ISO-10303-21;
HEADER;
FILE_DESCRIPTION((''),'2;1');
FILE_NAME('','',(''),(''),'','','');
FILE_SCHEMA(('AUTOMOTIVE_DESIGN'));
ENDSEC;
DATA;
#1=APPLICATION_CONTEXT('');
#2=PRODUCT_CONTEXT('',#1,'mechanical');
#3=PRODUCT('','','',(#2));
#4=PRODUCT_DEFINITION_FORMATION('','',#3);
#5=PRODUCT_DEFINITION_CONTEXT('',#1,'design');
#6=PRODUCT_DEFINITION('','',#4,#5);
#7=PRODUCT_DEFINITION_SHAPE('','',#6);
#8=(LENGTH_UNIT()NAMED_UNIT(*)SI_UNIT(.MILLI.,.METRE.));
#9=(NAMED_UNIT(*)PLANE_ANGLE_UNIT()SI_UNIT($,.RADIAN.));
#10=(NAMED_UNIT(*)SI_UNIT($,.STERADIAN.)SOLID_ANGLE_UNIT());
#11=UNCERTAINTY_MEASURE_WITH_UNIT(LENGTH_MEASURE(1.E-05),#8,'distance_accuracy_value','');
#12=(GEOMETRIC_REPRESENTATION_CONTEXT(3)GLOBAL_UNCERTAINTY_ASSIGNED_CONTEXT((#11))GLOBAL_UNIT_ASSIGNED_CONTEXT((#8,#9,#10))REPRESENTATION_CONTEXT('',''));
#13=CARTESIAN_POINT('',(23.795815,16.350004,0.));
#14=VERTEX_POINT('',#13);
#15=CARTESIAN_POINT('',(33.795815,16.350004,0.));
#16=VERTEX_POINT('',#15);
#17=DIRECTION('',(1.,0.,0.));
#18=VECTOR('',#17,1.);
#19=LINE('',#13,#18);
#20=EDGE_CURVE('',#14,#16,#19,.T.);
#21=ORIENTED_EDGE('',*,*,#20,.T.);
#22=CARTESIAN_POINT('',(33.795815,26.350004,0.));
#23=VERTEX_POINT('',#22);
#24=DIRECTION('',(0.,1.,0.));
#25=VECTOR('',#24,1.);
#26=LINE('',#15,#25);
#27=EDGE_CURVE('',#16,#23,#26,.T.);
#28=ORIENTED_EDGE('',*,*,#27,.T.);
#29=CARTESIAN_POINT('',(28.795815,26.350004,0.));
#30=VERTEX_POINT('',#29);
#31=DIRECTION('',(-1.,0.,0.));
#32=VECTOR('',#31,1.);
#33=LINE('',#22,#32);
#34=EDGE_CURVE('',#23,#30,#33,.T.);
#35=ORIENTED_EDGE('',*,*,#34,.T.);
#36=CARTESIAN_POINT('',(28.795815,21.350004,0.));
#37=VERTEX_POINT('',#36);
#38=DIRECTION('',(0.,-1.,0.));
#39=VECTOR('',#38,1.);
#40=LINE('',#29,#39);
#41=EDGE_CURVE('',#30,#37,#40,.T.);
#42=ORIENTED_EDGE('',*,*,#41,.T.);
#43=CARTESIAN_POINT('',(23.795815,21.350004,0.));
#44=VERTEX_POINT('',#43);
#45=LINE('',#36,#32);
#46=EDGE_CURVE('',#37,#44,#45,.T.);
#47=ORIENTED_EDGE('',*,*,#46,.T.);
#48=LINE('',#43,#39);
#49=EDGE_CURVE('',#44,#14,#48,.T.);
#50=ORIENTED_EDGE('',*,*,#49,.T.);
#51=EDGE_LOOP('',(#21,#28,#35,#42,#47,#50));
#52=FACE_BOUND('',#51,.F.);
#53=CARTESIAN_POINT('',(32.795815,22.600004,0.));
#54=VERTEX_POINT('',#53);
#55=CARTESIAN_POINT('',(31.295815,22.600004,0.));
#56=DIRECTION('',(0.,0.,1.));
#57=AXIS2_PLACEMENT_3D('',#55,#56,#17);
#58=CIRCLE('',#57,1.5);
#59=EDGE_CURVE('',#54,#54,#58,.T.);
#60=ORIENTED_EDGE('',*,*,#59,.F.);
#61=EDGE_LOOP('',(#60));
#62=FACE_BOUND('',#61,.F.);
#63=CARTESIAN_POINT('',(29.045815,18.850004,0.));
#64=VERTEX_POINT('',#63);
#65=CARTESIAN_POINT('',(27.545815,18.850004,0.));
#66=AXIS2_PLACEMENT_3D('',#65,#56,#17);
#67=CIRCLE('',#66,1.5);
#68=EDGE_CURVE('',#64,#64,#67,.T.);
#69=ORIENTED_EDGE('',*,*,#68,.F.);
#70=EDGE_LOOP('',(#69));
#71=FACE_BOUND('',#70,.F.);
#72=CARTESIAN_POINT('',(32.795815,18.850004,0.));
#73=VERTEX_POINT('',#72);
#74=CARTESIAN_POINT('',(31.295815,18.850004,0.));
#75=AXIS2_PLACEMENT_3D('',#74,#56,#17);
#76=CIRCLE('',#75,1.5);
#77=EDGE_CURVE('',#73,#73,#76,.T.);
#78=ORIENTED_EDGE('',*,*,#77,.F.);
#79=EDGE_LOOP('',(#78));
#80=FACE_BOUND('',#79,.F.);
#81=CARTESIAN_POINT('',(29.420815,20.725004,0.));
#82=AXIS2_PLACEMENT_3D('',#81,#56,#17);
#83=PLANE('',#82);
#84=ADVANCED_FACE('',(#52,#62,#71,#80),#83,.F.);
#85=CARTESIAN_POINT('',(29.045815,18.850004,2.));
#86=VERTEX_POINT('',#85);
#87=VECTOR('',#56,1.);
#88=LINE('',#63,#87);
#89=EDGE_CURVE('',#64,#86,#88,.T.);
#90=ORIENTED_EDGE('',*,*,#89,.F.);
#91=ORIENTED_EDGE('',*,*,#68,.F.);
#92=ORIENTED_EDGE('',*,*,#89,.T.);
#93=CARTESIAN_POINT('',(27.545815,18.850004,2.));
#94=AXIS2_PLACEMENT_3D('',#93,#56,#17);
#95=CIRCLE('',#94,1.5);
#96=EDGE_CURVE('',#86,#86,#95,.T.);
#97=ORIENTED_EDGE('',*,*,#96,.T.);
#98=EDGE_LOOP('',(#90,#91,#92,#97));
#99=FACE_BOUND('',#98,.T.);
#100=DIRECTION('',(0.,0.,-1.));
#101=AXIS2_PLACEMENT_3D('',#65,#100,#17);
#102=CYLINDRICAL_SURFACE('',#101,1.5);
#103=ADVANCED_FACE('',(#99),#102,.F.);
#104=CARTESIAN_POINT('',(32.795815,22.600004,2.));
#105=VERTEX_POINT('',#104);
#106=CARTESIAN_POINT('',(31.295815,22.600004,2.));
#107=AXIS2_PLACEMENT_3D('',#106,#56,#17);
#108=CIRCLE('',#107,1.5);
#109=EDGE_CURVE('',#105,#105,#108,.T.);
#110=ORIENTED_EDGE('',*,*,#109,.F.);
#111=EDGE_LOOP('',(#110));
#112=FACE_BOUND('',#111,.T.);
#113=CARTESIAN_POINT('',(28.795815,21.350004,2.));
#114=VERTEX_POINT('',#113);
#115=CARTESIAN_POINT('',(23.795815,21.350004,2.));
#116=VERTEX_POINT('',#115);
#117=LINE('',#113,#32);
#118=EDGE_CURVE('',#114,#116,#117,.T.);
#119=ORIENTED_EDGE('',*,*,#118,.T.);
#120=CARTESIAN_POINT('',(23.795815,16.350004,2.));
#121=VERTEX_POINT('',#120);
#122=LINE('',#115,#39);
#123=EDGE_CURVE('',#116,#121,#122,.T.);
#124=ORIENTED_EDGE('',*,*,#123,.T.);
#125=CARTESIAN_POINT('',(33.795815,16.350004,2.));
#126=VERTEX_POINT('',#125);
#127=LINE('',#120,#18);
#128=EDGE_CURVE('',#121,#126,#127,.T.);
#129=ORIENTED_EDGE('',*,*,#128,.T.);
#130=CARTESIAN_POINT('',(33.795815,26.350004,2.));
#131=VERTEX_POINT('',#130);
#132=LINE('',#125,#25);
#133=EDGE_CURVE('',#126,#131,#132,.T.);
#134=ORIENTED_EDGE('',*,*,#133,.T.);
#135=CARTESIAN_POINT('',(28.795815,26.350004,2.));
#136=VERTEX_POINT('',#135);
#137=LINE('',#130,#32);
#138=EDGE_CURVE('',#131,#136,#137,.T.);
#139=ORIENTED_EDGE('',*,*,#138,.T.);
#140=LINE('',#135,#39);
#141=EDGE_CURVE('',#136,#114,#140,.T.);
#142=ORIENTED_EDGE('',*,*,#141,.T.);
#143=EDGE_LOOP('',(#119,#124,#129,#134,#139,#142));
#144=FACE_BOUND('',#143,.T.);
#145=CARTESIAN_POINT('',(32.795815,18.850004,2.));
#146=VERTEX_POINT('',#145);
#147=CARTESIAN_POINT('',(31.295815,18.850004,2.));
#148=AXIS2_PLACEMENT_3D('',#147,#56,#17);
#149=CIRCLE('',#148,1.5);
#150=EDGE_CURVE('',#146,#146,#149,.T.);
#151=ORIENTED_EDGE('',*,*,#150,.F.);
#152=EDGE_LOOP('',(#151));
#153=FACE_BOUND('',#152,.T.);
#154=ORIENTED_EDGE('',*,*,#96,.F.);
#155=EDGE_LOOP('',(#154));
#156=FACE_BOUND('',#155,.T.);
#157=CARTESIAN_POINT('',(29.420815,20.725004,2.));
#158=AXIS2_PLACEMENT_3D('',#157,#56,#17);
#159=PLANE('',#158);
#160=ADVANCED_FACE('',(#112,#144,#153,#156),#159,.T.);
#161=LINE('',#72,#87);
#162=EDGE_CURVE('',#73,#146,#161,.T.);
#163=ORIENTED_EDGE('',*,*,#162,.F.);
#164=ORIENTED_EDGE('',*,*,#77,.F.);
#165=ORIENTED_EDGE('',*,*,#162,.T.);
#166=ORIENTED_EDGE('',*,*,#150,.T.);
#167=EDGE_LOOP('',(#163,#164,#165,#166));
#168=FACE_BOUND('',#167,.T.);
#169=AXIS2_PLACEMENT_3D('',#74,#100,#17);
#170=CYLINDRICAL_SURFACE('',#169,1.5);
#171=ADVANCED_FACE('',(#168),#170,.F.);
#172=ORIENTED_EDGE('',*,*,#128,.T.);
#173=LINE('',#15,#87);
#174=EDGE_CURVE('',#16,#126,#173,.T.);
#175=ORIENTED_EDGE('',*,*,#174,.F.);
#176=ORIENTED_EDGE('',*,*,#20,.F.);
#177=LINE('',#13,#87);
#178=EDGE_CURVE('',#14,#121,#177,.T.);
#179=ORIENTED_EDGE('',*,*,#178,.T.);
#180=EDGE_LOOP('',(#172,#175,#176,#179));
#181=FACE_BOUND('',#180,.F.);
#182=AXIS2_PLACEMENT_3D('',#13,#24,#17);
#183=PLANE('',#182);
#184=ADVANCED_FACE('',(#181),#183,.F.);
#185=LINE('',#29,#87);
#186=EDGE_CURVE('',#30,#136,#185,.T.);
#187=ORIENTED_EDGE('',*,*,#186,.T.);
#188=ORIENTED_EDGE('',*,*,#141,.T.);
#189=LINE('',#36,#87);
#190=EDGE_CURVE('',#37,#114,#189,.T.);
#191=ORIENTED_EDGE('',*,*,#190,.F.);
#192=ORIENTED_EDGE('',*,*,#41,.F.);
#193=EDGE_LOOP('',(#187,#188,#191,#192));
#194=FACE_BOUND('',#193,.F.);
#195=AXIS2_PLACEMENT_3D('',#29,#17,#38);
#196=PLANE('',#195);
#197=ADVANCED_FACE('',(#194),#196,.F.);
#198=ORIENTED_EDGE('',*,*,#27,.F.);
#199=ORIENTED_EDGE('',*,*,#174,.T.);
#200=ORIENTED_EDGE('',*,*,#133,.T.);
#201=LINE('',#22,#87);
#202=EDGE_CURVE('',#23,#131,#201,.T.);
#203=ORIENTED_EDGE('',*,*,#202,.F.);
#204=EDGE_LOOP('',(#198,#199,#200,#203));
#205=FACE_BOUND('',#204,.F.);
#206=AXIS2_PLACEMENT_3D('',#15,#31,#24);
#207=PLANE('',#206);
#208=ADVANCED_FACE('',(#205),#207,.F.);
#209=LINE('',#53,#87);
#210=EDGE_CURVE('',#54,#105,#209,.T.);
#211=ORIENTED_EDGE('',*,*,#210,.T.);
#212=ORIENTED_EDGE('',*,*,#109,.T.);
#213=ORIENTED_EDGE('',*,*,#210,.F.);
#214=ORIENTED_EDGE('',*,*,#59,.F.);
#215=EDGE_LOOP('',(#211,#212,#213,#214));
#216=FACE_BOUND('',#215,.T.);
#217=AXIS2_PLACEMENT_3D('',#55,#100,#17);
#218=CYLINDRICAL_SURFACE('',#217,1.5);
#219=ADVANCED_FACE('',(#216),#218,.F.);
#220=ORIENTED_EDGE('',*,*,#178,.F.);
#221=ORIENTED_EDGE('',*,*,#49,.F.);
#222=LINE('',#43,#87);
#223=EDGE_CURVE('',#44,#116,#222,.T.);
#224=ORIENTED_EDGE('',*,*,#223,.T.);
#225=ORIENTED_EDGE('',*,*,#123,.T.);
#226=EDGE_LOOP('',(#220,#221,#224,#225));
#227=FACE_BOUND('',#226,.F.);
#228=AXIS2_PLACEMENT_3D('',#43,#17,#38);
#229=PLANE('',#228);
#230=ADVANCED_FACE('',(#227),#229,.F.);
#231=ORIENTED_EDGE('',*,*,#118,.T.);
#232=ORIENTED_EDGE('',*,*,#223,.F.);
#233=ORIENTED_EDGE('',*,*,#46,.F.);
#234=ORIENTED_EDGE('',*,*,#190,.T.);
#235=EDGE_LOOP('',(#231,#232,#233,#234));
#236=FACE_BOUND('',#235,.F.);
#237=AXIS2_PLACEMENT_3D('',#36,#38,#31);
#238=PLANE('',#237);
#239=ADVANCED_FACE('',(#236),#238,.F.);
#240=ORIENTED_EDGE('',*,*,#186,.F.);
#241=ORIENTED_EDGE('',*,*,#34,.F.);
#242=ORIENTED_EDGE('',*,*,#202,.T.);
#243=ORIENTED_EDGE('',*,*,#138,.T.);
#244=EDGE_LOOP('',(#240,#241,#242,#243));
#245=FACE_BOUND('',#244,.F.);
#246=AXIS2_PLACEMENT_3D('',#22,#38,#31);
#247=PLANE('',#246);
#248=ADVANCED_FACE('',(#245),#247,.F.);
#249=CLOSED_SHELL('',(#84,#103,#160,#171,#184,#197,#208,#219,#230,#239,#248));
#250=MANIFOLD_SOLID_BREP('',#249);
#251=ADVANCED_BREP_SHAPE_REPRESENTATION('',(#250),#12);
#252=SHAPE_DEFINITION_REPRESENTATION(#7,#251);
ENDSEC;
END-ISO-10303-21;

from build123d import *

# Parameters (mm, degrees)
F0_R     = 1.5
F1_DEPTH = 2


with BuildPart() as f1:
    # F0 (on Top) → F1 (new body)
    with BuildSketch(Plane.XY):
        Polygon((23.795815, 21.350004), (23.795815, 16.350004), (33.795815, 16.350004), (33.795815, 21.350004), (33.795815, 26.350004), (28.795815, 26.350004), (28.795815, 21.350004), align=None)
        with Locations((27.545815, 18.850004)):
            Circle(F0_R, mode=Mode.SUBTRACT)
        with Locations((31.295815, 18.850004)):
            Circle(F0_R, mode=Mode.SUBTRACT)
        with Locations((31.295815, 22.600004)):
            Circle(F0_R, mode=Mode.SUBTRACT)
    extrude(amount=F1_DEPTH)


solid = f1.part
